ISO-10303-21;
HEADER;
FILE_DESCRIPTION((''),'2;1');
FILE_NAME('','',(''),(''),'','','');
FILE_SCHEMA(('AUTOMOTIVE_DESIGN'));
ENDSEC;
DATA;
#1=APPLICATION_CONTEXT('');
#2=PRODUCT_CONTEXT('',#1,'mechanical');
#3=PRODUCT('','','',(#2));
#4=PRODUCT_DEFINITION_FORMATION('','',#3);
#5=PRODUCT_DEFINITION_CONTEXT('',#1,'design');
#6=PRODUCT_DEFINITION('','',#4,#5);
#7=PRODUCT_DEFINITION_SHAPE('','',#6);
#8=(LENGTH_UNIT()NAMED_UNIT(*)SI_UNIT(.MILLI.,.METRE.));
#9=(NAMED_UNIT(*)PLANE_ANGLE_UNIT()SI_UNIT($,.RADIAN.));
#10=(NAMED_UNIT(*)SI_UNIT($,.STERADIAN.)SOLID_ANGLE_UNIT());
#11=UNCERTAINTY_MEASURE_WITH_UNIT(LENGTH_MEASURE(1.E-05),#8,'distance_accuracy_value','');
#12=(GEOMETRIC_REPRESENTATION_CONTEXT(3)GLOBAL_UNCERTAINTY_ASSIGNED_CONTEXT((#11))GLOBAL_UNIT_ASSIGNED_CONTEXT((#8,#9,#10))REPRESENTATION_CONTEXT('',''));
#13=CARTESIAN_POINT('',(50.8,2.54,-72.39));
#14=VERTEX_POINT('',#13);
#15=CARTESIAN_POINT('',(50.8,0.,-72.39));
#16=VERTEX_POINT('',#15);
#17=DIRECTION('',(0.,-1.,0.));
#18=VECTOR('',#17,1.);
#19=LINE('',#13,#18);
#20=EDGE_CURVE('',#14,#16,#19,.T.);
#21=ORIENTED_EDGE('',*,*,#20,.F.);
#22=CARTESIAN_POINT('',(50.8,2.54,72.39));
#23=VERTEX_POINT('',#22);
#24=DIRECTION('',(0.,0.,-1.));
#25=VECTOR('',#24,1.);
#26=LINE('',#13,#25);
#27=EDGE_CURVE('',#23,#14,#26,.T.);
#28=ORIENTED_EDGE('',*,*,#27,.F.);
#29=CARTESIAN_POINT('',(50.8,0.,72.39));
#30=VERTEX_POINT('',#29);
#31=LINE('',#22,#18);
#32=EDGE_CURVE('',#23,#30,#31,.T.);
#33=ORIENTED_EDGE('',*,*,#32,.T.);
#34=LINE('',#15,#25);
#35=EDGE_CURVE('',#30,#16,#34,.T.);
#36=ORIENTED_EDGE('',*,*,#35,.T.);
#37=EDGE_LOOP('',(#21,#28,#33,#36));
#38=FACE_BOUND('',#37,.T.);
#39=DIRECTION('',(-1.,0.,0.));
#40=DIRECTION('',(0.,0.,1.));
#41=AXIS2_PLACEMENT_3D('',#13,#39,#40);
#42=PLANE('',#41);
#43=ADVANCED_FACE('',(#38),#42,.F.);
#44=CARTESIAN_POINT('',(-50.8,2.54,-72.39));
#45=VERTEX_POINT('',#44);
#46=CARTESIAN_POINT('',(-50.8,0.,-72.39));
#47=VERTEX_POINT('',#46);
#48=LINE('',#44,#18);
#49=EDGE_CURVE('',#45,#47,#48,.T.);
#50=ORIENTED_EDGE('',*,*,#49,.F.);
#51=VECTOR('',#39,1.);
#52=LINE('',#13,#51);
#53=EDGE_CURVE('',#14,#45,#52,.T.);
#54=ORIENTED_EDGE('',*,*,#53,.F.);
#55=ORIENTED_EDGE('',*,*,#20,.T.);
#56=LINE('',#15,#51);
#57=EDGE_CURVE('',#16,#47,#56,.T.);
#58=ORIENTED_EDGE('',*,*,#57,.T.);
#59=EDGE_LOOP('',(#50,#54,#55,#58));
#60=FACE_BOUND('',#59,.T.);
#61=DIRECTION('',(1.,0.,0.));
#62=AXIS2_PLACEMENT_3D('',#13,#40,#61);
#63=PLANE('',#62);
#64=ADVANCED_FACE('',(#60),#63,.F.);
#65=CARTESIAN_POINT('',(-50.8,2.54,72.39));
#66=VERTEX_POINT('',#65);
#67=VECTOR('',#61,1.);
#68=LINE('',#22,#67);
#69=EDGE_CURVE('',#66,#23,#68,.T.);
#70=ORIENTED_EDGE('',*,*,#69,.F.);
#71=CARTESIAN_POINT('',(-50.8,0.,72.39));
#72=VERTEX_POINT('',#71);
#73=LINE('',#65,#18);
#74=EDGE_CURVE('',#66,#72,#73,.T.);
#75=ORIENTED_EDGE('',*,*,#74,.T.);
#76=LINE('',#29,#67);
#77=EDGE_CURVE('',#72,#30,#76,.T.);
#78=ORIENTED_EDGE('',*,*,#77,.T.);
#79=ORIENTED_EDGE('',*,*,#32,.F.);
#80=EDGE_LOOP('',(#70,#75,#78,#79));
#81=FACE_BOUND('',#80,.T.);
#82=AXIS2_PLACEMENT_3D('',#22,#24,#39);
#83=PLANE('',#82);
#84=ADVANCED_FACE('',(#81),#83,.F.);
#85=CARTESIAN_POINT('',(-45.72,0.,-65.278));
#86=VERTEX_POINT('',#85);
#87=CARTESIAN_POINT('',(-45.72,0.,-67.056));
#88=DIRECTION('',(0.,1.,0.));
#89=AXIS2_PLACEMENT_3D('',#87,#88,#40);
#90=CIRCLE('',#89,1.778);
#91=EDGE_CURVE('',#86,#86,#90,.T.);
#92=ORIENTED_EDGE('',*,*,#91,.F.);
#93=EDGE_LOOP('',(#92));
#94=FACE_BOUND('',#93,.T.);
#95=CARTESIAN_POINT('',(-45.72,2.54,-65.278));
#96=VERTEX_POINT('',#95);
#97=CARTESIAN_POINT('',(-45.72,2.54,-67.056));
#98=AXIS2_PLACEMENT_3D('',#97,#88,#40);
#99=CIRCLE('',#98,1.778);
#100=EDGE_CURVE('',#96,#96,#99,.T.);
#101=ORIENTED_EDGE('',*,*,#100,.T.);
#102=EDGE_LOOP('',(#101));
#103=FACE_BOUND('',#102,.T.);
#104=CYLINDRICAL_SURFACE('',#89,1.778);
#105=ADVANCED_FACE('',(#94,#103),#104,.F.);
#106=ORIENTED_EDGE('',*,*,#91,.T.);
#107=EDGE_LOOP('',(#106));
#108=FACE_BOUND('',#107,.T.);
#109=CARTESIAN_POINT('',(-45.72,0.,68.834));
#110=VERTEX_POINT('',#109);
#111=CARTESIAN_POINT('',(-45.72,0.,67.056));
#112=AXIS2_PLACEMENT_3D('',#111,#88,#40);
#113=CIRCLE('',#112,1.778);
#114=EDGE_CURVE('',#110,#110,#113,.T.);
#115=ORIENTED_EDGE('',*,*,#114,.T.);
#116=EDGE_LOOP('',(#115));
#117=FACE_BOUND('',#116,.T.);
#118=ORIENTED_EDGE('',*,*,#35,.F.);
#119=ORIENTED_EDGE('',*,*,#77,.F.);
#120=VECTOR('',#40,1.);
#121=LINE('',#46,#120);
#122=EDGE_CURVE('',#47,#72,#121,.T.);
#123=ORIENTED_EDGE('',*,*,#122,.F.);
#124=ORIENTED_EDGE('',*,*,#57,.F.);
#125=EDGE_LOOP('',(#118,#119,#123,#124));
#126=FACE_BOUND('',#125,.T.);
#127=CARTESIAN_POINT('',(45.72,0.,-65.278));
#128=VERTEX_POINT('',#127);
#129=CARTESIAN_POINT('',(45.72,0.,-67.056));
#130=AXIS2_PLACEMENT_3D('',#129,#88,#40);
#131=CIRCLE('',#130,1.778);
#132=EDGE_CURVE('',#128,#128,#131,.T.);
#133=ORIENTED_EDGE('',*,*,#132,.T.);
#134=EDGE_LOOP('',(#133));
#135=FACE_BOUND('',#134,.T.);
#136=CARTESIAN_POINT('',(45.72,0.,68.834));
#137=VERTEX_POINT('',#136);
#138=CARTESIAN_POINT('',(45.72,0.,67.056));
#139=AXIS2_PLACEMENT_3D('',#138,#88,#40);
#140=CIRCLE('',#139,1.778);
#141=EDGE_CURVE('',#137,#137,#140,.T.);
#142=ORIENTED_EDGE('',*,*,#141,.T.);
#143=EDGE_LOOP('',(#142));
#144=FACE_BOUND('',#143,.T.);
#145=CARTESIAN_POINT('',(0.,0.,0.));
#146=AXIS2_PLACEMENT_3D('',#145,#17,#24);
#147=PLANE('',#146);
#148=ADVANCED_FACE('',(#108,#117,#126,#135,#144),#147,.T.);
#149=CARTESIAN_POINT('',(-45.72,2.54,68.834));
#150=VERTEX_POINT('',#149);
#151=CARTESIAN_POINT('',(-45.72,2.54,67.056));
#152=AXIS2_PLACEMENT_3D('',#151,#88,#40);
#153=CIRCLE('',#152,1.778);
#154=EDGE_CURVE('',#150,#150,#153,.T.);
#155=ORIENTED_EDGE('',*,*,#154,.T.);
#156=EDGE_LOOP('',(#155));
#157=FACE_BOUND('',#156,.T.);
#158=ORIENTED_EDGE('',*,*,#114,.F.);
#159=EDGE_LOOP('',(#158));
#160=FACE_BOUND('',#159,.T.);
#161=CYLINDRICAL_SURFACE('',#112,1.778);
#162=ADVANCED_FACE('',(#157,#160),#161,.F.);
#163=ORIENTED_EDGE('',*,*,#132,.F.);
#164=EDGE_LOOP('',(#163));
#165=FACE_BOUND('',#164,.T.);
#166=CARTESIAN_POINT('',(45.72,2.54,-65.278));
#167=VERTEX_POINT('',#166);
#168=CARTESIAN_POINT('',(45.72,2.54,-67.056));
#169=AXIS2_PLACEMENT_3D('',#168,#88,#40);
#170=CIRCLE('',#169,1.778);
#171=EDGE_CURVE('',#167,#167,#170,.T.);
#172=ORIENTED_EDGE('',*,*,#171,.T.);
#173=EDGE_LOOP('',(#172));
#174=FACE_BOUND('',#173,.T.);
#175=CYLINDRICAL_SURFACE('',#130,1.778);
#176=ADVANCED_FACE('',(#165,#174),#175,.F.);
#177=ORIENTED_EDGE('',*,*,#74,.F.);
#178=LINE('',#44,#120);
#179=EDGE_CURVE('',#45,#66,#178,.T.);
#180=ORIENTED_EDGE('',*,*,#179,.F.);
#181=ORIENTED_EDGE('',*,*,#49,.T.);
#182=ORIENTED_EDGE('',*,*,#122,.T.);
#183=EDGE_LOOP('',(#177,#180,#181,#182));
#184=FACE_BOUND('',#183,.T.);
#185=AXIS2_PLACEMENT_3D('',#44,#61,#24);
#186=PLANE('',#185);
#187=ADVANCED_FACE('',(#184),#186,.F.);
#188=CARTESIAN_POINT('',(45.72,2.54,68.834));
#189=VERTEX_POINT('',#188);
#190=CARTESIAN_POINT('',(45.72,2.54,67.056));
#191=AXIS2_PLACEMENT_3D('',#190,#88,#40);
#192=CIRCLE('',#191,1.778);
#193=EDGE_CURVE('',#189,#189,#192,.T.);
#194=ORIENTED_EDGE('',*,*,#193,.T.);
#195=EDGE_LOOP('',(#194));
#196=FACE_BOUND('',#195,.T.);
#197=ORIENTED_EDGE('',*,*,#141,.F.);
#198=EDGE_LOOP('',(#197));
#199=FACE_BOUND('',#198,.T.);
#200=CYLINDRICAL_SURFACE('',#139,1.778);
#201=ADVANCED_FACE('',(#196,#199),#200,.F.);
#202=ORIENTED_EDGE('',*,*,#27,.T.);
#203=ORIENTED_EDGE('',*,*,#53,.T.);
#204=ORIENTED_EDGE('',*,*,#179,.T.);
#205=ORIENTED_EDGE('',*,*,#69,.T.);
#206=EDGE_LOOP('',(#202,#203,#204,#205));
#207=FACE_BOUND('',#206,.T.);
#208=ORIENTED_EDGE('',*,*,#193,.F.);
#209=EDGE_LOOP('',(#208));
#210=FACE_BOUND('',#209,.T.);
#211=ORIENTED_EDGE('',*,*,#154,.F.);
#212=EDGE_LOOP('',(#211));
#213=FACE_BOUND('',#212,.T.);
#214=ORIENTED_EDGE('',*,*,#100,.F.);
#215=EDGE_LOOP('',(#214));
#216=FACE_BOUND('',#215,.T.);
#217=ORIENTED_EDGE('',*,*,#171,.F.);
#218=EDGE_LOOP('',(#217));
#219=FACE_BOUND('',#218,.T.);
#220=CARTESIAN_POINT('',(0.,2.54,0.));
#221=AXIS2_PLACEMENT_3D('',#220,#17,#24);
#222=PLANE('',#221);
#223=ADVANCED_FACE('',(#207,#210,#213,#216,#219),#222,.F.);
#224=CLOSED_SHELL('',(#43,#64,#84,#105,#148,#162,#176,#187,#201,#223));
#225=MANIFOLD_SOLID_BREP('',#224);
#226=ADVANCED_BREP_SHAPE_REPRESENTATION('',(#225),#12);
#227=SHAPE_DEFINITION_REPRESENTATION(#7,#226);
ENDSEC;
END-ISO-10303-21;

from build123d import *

# Parameters (mm, degrees)
SKETCH1_W           = 101.6
SKETCH1_H           = 144.78
BOSS_EXTRUDE1_DEPTH = 2.54
SKETCH2_R           = 1.778
CUT_EXTRUDE1_DEPTH  = 2.54


with BuildPart() as part:
    # Sketch1 → Boss-Extrude1 (new body)
    with BuildSketch(Plane(origin=(0, 0, 0), x_dir=(1, 0, 0), z_dir=(0, 1, 0))):
        Rectangle(SKETCH1_W, SKETCH1_H)
    extrude(amount=BOSS_EXTRUDE1_DEPTH)

    # Sketch2 → Cut-Extrude1 (cut)
    with BuildSketch(Plane(origin=(0, 2.54, 0), x_dir=(1, 0, 0), z_dir=(0, 1, 0))):
        with Locations((-45.72, 67.056)):
            Circle(SKETCH2_R)
        with Locations((-45.72, -67.056)):
            Circle(SKETCH2_R)
        with Locations((45.72, -67.056)):
            Circle(SKETCH2_R)
        with Locations((45.72, 67.056)):
            Circle(SKETCH2_R)
    extrude(amount=-CUT_EXTRUDE1_DEPTH, mode=Mode.SUBTRACT)


solid = part.part
